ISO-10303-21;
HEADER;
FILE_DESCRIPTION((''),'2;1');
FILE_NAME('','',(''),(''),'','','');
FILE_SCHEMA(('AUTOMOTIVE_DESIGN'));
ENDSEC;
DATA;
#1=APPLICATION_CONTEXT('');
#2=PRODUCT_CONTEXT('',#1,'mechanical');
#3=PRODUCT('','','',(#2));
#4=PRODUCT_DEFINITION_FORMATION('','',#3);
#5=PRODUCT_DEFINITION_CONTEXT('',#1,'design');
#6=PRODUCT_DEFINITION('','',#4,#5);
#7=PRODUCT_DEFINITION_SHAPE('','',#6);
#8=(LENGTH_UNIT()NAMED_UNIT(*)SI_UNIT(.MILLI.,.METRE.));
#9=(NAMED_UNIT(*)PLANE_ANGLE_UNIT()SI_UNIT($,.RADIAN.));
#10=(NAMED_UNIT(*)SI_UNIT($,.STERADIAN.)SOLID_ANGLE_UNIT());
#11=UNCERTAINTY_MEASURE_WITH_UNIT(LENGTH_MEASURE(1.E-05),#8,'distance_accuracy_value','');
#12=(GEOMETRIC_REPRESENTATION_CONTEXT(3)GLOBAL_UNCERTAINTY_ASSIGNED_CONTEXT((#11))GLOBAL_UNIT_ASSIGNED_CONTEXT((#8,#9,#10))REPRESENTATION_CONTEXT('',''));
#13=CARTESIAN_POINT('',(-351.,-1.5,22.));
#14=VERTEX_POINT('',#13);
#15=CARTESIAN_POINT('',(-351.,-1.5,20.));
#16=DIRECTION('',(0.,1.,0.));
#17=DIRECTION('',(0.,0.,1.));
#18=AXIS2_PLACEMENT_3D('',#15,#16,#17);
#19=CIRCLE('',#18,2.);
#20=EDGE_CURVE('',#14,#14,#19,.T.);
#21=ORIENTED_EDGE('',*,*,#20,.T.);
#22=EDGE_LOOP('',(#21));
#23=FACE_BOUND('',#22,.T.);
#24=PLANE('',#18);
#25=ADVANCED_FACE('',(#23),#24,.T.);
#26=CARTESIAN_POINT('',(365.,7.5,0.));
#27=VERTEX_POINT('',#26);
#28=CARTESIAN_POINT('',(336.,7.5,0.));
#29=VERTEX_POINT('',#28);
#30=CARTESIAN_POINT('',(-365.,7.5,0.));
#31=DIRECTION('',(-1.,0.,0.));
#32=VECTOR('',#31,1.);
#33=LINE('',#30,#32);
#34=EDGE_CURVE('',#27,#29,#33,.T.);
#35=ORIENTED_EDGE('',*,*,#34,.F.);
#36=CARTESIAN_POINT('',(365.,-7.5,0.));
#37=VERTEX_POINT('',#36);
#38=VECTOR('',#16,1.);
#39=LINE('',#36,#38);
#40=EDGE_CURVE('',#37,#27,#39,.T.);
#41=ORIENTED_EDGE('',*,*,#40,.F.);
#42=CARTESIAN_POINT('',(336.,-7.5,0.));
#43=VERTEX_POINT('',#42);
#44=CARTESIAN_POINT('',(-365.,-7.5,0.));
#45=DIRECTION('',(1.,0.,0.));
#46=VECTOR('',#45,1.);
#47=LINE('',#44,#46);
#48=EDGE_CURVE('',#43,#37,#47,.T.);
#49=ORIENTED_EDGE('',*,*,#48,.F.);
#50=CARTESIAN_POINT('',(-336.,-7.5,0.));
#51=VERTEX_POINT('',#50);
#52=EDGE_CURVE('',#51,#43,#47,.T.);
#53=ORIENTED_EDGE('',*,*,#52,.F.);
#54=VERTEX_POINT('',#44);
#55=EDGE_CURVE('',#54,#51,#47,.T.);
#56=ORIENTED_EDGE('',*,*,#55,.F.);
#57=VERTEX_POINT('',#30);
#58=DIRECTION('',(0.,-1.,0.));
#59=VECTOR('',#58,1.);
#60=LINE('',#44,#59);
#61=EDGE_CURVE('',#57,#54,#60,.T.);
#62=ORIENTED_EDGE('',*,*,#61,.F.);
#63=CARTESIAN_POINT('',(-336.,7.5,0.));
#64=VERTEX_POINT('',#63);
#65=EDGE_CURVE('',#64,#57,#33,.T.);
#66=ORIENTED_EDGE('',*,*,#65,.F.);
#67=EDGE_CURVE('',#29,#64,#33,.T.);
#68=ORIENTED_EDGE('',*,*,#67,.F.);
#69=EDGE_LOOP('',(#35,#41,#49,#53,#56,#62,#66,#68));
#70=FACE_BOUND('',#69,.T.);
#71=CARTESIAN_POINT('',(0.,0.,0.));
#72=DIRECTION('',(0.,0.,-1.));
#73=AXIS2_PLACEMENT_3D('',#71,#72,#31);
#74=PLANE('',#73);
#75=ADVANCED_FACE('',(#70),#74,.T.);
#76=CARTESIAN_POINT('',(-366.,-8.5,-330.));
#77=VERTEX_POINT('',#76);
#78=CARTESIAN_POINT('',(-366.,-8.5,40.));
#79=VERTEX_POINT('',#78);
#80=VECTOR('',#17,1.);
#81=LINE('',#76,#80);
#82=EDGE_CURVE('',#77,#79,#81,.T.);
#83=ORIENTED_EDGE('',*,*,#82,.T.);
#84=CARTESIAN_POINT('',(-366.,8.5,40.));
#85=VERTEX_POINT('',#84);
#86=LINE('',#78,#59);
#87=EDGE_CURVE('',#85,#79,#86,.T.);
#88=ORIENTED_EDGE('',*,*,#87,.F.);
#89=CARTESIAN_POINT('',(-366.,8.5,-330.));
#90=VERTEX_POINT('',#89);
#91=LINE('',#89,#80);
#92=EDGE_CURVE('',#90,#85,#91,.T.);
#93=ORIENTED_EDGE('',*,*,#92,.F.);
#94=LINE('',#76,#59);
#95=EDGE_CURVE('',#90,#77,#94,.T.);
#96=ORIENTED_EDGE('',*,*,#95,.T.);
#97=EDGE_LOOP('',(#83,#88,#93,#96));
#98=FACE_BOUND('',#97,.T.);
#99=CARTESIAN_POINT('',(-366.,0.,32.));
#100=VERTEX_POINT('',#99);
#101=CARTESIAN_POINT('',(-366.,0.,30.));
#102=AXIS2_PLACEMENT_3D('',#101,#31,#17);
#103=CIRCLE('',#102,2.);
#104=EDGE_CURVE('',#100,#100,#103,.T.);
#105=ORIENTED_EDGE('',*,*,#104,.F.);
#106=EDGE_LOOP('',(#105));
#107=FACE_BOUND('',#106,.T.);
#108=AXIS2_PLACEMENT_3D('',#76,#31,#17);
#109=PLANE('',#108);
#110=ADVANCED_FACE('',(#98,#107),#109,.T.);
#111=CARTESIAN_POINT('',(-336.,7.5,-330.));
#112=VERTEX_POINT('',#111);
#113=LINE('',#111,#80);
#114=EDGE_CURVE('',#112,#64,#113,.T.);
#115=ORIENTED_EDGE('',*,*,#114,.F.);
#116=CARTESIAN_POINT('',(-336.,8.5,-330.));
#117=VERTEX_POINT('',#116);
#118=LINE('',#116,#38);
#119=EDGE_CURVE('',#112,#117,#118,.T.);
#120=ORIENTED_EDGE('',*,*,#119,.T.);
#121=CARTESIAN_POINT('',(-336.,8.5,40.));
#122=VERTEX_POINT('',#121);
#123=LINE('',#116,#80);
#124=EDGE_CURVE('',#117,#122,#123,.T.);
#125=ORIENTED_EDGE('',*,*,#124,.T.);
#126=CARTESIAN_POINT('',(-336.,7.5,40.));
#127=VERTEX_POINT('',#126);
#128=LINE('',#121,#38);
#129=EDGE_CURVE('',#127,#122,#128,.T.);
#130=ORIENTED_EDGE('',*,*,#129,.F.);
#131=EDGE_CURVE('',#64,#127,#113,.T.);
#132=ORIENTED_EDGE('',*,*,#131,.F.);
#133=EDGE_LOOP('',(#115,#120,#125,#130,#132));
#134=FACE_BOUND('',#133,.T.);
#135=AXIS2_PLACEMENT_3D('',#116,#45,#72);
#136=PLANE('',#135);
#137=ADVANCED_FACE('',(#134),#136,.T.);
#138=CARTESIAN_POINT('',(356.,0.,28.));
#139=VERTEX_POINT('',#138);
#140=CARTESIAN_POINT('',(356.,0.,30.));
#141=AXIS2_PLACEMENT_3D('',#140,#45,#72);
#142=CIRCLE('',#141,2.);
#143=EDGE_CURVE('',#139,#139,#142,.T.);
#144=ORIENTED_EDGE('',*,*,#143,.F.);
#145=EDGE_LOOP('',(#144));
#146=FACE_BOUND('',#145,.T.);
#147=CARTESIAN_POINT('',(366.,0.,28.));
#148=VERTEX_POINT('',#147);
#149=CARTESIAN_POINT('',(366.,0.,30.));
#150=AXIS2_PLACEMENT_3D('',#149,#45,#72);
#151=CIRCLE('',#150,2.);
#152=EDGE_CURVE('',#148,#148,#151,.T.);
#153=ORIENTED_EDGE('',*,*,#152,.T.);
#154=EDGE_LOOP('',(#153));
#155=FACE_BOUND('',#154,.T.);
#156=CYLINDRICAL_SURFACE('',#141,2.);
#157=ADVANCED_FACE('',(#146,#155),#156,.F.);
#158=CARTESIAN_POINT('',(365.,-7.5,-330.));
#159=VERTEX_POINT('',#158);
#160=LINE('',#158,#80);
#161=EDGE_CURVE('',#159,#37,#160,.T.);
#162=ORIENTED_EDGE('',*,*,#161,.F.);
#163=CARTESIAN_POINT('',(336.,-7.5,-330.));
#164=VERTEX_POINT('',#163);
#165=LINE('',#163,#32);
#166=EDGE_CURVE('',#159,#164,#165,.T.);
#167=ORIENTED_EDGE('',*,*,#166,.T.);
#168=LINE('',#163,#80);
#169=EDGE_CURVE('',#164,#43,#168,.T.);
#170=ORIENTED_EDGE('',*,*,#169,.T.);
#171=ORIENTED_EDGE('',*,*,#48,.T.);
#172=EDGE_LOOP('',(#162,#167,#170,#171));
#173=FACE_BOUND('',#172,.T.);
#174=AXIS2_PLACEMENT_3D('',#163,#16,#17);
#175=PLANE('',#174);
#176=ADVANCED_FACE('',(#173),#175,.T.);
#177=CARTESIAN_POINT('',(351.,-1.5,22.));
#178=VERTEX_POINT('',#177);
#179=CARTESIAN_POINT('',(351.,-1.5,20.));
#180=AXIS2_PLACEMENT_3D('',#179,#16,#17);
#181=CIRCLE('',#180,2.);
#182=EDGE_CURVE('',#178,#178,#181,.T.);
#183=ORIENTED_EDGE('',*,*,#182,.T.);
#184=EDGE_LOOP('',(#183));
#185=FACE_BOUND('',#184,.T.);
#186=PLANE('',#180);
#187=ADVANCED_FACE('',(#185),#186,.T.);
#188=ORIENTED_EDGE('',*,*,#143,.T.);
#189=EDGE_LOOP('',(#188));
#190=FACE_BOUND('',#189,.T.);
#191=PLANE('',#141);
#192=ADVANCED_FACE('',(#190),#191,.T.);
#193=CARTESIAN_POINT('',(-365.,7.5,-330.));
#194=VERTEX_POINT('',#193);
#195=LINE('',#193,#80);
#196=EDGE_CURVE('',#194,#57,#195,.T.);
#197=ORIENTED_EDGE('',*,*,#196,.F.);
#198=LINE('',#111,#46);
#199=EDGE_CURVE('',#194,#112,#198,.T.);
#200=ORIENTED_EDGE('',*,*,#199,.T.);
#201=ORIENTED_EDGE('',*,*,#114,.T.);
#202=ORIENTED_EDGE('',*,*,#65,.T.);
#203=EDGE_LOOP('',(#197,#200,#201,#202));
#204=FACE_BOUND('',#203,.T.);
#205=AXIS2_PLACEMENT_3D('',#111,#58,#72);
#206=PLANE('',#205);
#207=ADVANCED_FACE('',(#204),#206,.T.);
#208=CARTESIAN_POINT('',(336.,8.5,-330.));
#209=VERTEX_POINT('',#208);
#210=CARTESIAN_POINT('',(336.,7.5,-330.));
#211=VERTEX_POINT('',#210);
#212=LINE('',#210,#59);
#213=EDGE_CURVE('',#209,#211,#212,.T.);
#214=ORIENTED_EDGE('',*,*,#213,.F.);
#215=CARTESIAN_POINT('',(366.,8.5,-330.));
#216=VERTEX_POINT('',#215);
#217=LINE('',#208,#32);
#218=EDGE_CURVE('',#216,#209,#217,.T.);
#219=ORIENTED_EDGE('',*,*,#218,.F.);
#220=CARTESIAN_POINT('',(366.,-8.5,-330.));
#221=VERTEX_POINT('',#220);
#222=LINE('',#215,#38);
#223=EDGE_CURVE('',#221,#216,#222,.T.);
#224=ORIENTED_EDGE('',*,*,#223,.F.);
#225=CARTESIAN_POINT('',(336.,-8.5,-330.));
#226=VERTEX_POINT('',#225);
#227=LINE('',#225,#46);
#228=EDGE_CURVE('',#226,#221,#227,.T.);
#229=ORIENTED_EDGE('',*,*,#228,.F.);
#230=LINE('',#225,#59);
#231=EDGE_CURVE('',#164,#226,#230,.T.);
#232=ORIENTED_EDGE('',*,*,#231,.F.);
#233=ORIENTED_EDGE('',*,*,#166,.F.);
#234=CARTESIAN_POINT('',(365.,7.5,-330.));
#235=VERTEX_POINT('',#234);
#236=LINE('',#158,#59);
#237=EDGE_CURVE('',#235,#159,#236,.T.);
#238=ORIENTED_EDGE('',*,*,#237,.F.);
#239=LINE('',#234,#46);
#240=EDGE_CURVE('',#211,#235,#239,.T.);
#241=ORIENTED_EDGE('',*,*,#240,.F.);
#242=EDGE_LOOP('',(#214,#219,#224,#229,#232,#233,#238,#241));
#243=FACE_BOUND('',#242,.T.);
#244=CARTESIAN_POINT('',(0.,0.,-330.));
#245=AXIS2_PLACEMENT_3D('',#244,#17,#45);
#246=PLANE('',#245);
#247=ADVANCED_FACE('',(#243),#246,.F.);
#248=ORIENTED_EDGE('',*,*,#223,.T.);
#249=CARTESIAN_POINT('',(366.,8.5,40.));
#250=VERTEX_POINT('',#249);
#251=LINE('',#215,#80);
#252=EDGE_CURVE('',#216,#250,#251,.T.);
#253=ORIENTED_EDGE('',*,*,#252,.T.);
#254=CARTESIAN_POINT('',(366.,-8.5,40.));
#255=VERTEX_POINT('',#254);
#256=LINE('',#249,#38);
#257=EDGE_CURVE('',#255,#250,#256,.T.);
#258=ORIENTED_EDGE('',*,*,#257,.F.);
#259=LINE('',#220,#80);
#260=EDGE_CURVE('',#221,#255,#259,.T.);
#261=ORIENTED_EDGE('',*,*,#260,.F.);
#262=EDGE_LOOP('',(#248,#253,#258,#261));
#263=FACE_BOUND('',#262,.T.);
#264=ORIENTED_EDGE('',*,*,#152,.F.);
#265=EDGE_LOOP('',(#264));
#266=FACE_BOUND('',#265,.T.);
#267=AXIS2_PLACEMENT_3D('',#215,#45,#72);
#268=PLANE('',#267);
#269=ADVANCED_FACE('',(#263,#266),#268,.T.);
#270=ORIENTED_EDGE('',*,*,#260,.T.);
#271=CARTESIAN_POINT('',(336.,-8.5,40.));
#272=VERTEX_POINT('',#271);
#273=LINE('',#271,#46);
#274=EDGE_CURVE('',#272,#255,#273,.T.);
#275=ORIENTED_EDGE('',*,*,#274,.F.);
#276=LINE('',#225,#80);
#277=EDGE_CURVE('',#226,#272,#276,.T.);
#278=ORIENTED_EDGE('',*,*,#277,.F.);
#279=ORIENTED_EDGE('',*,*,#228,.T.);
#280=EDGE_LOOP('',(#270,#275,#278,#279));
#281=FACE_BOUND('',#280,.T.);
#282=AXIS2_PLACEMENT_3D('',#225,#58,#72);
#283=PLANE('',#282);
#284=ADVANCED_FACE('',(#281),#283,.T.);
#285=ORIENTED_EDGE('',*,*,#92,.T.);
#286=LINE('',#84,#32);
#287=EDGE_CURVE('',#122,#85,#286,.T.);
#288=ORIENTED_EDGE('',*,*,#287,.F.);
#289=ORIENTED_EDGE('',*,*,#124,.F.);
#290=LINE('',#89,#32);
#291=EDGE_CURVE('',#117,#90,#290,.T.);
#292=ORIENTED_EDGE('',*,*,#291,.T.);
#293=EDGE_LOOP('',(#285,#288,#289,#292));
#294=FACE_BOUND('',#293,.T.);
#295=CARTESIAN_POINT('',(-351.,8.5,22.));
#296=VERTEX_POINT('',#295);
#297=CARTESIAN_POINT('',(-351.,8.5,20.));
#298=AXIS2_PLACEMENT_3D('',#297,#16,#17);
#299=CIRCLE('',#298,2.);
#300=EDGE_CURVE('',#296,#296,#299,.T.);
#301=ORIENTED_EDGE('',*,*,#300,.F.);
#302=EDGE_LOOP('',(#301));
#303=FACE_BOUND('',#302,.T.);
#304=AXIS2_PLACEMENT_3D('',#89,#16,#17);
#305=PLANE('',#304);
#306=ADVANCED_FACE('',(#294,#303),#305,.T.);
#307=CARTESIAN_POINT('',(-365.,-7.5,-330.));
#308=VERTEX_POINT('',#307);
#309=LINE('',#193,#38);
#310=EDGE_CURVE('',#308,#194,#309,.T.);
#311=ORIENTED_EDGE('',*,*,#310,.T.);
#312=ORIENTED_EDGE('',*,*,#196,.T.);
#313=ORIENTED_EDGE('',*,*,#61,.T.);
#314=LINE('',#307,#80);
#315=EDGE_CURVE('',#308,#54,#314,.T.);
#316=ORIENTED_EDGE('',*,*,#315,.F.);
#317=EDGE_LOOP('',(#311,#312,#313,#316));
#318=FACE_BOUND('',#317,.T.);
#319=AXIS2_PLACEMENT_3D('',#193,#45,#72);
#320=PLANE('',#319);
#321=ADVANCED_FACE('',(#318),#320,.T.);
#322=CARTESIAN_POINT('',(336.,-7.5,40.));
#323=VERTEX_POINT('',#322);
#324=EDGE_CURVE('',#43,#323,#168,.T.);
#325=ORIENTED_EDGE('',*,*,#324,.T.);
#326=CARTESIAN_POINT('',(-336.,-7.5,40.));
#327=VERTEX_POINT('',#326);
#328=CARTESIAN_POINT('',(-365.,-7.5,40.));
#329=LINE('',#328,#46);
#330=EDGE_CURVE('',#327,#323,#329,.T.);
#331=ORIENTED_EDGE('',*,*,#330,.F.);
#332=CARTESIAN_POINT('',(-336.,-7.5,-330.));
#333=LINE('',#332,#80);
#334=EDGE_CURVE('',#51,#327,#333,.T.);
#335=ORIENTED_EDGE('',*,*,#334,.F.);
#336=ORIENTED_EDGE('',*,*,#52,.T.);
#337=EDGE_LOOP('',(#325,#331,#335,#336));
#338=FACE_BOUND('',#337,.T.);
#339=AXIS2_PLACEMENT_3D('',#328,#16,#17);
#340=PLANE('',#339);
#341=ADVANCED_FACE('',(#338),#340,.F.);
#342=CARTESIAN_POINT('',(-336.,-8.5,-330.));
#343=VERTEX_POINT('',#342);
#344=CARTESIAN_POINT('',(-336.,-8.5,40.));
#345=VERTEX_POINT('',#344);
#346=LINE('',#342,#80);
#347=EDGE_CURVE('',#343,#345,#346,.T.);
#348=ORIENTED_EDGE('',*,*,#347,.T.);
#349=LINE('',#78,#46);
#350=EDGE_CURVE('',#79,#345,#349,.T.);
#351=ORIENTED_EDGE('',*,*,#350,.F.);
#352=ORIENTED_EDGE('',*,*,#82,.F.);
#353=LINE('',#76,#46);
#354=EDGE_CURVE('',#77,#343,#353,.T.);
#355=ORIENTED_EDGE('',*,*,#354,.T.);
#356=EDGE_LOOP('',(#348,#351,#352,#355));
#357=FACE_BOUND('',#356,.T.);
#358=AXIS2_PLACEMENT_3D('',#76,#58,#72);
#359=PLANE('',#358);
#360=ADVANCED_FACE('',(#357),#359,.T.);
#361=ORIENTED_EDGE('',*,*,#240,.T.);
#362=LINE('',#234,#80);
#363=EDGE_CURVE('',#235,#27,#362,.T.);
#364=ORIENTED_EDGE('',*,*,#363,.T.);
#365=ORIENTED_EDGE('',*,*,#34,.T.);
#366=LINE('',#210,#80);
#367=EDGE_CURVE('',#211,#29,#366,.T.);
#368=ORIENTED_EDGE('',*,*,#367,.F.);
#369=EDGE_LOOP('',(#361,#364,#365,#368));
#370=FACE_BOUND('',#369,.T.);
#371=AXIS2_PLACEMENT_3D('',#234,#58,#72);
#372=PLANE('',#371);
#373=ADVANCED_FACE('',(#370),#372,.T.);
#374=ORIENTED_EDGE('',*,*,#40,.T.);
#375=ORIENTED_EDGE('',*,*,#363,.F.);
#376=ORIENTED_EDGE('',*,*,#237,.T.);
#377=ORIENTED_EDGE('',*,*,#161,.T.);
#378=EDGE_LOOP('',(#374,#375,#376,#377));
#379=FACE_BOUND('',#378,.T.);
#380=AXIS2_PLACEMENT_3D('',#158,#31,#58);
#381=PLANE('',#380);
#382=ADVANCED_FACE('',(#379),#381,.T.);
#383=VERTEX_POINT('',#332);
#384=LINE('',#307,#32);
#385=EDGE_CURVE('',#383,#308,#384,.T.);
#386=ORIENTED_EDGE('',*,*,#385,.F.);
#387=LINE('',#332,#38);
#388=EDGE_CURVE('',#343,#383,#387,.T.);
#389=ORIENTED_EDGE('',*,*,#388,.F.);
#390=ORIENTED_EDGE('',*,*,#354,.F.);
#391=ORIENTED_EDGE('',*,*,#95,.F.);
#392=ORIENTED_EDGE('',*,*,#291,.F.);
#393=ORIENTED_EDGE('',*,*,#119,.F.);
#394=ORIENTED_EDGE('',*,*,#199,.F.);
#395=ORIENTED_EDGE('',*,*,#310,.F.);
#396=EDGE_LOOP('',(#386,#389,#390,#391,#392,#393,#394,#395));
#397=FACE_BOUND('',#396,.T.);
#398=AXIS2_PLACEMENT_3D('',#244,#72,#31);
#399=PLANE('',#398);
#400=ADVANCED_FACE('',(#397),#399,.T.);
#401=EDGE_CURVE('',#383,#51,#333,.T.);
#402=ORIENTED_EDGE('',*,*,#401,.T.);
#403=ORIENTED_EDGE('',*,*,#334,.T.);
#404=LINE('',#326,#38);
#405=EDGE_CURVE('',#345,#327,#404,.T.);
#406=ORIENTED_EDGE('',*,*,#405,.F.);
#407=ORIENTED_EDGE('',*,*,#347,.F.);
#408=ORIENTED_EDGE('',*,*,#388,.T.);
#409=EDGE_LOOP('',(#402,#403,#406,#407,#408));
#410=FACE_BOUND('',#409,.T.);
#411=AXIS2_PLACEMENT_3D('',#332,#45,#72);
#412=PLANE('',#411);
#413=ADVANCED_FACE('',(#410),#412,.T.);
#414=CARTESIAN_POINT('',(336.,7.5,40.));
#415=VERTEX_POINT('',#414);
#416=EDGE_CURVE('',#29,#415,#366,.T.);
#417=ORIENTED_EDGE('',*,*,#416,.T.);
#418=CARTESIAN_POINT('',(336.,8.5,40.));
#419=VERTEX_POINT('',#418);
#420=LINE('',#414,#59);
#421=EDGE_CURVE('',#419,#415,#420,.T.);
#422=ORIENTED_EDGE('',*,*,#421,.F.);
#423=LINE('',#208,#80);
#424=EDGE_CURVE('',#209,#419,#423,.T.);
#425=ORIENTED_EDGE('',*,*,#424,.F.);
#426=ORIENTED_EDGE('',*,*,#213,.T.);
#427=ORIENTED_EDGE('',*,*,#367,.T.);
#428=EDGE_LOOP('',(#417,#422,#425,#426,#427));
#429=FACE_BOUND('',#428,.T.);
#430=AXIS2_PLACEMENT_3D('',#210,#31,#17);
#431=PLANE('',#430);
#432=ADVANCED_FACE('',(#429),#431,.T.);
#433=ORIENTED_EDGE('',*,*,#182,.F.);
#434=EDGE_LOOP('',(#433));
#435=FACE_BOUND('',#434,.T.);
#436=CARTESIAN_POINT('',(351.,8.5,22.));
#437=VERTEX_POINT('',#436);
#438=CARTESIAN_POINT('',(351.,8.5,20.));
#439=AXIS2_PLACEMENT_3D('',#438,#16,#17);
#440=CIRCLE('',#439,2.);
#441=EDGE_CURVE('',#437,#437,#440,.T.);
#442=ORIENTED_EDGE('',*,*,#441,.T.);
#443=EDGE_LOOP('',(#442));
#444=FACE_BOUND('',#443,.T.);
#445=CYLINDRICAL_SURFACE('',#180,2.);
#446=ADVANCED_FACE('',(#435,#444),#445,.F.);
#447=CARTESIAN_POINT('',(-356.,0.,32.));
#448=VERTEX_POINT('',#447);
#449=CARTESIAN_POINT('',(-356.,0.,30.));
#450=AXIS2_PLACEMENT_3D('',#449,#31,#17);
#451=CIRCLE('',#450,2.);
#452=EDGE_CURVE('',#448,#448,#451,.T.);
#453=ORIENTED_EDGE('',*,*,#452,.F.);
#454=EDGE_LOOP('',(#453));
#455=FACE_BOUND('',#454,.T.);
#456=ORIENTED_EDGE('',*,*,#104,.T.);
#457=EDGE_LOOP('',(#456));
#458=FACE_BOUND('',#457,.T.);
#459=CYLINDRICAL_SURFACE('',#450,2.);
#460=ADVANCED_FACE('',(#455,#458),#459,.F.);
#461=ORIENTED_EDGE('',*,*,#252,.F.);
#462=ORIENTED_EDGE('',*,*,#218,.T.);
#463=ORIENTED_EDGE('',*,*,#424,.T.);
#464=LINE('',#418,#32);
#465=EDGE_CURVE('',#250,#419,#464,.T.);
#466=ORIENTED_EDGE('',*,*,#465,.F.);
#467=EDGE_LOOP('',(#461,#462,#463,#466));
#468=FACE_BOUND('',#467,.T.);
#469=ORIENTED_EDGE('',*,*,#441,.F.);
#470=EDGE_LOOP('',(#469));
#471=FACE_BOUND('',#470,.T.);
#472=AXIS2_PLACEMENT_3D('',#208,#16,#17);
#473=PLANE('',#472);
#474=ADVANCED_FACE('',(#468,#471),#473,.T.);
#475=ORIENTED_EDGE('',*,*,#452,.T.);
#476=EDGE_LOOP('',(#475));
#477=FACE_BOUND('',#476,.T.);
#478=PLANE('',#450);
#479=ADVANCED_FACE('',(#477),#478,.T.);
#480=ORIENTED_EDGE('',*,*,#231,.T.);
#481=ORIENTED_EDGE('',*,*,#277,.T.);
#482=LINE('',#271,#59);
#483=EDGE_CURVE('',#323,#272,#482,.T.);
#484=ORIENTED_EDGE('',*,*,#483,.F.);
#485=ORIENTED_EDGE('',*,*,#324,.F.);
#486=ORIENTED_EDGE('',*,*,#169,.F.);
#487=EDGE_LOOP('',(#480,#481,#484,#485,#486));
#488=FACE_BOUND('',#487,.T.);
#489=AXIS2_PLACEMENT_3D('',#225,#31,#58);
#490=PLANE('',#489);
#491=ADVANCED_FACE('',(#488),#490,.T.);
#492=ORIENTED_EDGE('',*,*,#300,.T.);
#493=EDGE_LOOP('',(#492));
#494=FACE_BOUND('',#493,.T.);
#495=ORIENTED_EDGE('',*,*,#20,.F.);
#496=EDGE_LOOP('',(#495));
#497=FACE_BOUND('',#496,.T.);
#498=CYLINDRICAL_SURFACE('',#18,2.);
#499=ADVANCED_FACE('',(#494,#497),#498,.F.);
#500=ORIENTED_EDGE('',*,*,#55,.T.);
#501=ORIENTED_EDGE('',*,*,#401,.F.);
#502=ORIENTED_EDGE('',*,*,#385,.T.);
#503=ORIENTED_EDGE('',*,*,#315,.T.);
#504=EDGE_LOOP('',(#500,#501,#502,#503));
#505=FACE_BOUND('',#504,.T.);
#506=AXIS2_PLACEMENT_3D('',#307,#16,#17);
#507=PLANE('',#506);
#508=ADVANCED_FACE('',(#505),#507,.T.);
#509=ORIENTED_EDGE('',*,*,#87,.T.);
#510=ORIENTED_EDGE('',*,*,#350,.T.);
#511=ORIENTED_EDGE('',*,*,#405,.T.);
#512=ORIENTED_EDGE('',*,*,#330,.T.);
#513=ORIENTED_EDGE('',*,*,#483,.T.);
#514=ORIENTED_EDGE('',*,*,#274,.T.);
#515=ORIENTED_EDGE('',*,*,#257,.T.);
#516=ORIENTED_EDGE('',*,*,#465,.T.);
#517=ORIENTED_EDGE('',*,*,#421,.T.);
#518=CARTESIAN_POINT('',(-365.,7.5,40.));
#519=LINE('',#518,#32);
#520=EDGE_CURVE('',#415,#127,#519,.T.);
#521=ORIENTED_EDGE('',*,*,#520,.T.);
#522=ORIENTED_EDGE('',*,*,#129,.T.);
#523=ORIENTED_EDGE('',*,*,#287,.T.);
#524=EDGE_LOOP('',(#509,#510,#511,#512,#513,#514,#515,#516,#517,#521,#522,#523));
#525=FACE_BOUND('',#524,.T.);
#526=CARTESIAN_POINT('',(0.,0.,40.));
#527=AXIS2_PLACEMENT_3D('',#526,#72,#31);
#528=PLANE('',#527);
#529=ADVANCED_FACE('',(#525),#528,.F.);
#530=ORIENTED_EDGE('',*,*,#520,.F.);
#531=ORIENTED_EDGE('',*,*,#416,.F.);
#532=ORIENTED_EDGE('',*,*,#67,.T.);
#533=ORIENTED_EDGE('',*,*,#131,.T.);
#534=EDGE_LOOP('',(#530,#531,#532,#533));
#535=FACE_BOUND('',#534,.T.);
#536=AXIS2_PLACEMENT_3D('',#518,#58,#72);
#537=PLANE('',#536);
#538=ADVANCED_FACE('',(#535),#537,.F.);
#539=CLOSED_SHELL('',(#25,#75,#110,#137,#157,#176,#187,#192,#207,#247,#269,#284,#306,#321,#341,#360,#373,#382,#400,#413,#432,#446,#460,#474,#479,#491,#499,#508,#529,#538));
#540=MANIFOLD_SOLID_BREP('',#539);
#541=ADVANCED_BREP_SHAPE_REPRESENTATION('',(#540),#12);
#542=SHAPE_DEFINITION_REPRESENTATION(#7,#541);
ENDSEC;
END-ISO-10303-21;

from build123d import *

# Parameters (mm, degrees)
CROQUIS1_W              = 730
CROQUIS1_H              = 15
SALIENTE_EXTRUIR1_DEPTH = 40
SALIENTE_EXTRUIR2_DEPTH = 370
CROQUIS3_R              = 2
CORTAR_EXTRUIR1_DEPTH   = 10
CROQUIS4_R              = 2
CORTAR_EXTRUIR2_DEPTH   = 10
CORTAR_EXTRUIR3_START   = -10
CROQUIS5_R              = 2
CORTAR_EXTRUIR3_DEPTH   = 10


with BuildPart() as part:
    # Croquis1 → Saliente-Extruir1 (new body)
    with BuildSketch(Plane.XY):
        Rectangle(CROQUIS1_W, CROQUIS1_H)
    extrude(amount=SALIENTE_EXTRUIR1_DEPTH)

    # Croquis2 → Saliente-Extruir2 (add)
    with BuildSketch(Plane.XY.offset(40)):
        Polygon((-366, -8.5), (-336, -8.5), (-336, -7.5), (-365, -7.5), (-365, 7.5), (-336, 7.5), (-336, 8.5), (-366, 8.5), align=None)
        Polygon((336, 8.5), (366, 8.5), (366, -8.5), (336, -8.5), (336, -7.5), (365, -7.5), (365, 7.5), (336, 7.5), align=None)
    extrude(amount=-SALIENTE_EXTRUIR2_DEPTH)

    # Croquis3 → Cortar-Extruir1 (cut)
    with BuildSketch(Plane(origin=(0, 8.5, 0), x_dir=(1, 0, 0), z_dir=(0, 1, 0))):
        with Locations(Location((351, -20, 0), (0, 0, 270))):
            Circle(CROQUIS3_R)
        with Locations(Location((-351, -20, 0), (0, 0, 270))):
            Circle(CROQUIS3_R)
    extrude(amount=-CORTAR_EXTRUIR1_DEPTH, mode=Mode.SUBTRACT)

    # Croquis4 → Cortar-Extruir2 (cut)
    with BuildSketch(Plane(origin=(366, 0, 0), x_dir=(0, 0, -1), z_dir=(1, 0, 0))):
        with Locations((-30, 0)):
            Circle(CROQUIS4_R)
    extrude(amount=-CORTAR_EXTRUIR2_DEPTH, mode=Mode.SUBTRACT)

    # Croquis5 → Cortar-Extruir3 (cut)
    with BuildSketch(Plane.ZY.offset(366).offset(CORTAR_EXTRUIR3_START)):
        with Locations(Location((30, 0, 0), (0, 0, 180))):
            Circle(CROQUIS5_R)
    extrude(amount=CORTAR_EXTRUIR3_DEPTH, mode=Mode.SUBTRACT)


solid = part.part
